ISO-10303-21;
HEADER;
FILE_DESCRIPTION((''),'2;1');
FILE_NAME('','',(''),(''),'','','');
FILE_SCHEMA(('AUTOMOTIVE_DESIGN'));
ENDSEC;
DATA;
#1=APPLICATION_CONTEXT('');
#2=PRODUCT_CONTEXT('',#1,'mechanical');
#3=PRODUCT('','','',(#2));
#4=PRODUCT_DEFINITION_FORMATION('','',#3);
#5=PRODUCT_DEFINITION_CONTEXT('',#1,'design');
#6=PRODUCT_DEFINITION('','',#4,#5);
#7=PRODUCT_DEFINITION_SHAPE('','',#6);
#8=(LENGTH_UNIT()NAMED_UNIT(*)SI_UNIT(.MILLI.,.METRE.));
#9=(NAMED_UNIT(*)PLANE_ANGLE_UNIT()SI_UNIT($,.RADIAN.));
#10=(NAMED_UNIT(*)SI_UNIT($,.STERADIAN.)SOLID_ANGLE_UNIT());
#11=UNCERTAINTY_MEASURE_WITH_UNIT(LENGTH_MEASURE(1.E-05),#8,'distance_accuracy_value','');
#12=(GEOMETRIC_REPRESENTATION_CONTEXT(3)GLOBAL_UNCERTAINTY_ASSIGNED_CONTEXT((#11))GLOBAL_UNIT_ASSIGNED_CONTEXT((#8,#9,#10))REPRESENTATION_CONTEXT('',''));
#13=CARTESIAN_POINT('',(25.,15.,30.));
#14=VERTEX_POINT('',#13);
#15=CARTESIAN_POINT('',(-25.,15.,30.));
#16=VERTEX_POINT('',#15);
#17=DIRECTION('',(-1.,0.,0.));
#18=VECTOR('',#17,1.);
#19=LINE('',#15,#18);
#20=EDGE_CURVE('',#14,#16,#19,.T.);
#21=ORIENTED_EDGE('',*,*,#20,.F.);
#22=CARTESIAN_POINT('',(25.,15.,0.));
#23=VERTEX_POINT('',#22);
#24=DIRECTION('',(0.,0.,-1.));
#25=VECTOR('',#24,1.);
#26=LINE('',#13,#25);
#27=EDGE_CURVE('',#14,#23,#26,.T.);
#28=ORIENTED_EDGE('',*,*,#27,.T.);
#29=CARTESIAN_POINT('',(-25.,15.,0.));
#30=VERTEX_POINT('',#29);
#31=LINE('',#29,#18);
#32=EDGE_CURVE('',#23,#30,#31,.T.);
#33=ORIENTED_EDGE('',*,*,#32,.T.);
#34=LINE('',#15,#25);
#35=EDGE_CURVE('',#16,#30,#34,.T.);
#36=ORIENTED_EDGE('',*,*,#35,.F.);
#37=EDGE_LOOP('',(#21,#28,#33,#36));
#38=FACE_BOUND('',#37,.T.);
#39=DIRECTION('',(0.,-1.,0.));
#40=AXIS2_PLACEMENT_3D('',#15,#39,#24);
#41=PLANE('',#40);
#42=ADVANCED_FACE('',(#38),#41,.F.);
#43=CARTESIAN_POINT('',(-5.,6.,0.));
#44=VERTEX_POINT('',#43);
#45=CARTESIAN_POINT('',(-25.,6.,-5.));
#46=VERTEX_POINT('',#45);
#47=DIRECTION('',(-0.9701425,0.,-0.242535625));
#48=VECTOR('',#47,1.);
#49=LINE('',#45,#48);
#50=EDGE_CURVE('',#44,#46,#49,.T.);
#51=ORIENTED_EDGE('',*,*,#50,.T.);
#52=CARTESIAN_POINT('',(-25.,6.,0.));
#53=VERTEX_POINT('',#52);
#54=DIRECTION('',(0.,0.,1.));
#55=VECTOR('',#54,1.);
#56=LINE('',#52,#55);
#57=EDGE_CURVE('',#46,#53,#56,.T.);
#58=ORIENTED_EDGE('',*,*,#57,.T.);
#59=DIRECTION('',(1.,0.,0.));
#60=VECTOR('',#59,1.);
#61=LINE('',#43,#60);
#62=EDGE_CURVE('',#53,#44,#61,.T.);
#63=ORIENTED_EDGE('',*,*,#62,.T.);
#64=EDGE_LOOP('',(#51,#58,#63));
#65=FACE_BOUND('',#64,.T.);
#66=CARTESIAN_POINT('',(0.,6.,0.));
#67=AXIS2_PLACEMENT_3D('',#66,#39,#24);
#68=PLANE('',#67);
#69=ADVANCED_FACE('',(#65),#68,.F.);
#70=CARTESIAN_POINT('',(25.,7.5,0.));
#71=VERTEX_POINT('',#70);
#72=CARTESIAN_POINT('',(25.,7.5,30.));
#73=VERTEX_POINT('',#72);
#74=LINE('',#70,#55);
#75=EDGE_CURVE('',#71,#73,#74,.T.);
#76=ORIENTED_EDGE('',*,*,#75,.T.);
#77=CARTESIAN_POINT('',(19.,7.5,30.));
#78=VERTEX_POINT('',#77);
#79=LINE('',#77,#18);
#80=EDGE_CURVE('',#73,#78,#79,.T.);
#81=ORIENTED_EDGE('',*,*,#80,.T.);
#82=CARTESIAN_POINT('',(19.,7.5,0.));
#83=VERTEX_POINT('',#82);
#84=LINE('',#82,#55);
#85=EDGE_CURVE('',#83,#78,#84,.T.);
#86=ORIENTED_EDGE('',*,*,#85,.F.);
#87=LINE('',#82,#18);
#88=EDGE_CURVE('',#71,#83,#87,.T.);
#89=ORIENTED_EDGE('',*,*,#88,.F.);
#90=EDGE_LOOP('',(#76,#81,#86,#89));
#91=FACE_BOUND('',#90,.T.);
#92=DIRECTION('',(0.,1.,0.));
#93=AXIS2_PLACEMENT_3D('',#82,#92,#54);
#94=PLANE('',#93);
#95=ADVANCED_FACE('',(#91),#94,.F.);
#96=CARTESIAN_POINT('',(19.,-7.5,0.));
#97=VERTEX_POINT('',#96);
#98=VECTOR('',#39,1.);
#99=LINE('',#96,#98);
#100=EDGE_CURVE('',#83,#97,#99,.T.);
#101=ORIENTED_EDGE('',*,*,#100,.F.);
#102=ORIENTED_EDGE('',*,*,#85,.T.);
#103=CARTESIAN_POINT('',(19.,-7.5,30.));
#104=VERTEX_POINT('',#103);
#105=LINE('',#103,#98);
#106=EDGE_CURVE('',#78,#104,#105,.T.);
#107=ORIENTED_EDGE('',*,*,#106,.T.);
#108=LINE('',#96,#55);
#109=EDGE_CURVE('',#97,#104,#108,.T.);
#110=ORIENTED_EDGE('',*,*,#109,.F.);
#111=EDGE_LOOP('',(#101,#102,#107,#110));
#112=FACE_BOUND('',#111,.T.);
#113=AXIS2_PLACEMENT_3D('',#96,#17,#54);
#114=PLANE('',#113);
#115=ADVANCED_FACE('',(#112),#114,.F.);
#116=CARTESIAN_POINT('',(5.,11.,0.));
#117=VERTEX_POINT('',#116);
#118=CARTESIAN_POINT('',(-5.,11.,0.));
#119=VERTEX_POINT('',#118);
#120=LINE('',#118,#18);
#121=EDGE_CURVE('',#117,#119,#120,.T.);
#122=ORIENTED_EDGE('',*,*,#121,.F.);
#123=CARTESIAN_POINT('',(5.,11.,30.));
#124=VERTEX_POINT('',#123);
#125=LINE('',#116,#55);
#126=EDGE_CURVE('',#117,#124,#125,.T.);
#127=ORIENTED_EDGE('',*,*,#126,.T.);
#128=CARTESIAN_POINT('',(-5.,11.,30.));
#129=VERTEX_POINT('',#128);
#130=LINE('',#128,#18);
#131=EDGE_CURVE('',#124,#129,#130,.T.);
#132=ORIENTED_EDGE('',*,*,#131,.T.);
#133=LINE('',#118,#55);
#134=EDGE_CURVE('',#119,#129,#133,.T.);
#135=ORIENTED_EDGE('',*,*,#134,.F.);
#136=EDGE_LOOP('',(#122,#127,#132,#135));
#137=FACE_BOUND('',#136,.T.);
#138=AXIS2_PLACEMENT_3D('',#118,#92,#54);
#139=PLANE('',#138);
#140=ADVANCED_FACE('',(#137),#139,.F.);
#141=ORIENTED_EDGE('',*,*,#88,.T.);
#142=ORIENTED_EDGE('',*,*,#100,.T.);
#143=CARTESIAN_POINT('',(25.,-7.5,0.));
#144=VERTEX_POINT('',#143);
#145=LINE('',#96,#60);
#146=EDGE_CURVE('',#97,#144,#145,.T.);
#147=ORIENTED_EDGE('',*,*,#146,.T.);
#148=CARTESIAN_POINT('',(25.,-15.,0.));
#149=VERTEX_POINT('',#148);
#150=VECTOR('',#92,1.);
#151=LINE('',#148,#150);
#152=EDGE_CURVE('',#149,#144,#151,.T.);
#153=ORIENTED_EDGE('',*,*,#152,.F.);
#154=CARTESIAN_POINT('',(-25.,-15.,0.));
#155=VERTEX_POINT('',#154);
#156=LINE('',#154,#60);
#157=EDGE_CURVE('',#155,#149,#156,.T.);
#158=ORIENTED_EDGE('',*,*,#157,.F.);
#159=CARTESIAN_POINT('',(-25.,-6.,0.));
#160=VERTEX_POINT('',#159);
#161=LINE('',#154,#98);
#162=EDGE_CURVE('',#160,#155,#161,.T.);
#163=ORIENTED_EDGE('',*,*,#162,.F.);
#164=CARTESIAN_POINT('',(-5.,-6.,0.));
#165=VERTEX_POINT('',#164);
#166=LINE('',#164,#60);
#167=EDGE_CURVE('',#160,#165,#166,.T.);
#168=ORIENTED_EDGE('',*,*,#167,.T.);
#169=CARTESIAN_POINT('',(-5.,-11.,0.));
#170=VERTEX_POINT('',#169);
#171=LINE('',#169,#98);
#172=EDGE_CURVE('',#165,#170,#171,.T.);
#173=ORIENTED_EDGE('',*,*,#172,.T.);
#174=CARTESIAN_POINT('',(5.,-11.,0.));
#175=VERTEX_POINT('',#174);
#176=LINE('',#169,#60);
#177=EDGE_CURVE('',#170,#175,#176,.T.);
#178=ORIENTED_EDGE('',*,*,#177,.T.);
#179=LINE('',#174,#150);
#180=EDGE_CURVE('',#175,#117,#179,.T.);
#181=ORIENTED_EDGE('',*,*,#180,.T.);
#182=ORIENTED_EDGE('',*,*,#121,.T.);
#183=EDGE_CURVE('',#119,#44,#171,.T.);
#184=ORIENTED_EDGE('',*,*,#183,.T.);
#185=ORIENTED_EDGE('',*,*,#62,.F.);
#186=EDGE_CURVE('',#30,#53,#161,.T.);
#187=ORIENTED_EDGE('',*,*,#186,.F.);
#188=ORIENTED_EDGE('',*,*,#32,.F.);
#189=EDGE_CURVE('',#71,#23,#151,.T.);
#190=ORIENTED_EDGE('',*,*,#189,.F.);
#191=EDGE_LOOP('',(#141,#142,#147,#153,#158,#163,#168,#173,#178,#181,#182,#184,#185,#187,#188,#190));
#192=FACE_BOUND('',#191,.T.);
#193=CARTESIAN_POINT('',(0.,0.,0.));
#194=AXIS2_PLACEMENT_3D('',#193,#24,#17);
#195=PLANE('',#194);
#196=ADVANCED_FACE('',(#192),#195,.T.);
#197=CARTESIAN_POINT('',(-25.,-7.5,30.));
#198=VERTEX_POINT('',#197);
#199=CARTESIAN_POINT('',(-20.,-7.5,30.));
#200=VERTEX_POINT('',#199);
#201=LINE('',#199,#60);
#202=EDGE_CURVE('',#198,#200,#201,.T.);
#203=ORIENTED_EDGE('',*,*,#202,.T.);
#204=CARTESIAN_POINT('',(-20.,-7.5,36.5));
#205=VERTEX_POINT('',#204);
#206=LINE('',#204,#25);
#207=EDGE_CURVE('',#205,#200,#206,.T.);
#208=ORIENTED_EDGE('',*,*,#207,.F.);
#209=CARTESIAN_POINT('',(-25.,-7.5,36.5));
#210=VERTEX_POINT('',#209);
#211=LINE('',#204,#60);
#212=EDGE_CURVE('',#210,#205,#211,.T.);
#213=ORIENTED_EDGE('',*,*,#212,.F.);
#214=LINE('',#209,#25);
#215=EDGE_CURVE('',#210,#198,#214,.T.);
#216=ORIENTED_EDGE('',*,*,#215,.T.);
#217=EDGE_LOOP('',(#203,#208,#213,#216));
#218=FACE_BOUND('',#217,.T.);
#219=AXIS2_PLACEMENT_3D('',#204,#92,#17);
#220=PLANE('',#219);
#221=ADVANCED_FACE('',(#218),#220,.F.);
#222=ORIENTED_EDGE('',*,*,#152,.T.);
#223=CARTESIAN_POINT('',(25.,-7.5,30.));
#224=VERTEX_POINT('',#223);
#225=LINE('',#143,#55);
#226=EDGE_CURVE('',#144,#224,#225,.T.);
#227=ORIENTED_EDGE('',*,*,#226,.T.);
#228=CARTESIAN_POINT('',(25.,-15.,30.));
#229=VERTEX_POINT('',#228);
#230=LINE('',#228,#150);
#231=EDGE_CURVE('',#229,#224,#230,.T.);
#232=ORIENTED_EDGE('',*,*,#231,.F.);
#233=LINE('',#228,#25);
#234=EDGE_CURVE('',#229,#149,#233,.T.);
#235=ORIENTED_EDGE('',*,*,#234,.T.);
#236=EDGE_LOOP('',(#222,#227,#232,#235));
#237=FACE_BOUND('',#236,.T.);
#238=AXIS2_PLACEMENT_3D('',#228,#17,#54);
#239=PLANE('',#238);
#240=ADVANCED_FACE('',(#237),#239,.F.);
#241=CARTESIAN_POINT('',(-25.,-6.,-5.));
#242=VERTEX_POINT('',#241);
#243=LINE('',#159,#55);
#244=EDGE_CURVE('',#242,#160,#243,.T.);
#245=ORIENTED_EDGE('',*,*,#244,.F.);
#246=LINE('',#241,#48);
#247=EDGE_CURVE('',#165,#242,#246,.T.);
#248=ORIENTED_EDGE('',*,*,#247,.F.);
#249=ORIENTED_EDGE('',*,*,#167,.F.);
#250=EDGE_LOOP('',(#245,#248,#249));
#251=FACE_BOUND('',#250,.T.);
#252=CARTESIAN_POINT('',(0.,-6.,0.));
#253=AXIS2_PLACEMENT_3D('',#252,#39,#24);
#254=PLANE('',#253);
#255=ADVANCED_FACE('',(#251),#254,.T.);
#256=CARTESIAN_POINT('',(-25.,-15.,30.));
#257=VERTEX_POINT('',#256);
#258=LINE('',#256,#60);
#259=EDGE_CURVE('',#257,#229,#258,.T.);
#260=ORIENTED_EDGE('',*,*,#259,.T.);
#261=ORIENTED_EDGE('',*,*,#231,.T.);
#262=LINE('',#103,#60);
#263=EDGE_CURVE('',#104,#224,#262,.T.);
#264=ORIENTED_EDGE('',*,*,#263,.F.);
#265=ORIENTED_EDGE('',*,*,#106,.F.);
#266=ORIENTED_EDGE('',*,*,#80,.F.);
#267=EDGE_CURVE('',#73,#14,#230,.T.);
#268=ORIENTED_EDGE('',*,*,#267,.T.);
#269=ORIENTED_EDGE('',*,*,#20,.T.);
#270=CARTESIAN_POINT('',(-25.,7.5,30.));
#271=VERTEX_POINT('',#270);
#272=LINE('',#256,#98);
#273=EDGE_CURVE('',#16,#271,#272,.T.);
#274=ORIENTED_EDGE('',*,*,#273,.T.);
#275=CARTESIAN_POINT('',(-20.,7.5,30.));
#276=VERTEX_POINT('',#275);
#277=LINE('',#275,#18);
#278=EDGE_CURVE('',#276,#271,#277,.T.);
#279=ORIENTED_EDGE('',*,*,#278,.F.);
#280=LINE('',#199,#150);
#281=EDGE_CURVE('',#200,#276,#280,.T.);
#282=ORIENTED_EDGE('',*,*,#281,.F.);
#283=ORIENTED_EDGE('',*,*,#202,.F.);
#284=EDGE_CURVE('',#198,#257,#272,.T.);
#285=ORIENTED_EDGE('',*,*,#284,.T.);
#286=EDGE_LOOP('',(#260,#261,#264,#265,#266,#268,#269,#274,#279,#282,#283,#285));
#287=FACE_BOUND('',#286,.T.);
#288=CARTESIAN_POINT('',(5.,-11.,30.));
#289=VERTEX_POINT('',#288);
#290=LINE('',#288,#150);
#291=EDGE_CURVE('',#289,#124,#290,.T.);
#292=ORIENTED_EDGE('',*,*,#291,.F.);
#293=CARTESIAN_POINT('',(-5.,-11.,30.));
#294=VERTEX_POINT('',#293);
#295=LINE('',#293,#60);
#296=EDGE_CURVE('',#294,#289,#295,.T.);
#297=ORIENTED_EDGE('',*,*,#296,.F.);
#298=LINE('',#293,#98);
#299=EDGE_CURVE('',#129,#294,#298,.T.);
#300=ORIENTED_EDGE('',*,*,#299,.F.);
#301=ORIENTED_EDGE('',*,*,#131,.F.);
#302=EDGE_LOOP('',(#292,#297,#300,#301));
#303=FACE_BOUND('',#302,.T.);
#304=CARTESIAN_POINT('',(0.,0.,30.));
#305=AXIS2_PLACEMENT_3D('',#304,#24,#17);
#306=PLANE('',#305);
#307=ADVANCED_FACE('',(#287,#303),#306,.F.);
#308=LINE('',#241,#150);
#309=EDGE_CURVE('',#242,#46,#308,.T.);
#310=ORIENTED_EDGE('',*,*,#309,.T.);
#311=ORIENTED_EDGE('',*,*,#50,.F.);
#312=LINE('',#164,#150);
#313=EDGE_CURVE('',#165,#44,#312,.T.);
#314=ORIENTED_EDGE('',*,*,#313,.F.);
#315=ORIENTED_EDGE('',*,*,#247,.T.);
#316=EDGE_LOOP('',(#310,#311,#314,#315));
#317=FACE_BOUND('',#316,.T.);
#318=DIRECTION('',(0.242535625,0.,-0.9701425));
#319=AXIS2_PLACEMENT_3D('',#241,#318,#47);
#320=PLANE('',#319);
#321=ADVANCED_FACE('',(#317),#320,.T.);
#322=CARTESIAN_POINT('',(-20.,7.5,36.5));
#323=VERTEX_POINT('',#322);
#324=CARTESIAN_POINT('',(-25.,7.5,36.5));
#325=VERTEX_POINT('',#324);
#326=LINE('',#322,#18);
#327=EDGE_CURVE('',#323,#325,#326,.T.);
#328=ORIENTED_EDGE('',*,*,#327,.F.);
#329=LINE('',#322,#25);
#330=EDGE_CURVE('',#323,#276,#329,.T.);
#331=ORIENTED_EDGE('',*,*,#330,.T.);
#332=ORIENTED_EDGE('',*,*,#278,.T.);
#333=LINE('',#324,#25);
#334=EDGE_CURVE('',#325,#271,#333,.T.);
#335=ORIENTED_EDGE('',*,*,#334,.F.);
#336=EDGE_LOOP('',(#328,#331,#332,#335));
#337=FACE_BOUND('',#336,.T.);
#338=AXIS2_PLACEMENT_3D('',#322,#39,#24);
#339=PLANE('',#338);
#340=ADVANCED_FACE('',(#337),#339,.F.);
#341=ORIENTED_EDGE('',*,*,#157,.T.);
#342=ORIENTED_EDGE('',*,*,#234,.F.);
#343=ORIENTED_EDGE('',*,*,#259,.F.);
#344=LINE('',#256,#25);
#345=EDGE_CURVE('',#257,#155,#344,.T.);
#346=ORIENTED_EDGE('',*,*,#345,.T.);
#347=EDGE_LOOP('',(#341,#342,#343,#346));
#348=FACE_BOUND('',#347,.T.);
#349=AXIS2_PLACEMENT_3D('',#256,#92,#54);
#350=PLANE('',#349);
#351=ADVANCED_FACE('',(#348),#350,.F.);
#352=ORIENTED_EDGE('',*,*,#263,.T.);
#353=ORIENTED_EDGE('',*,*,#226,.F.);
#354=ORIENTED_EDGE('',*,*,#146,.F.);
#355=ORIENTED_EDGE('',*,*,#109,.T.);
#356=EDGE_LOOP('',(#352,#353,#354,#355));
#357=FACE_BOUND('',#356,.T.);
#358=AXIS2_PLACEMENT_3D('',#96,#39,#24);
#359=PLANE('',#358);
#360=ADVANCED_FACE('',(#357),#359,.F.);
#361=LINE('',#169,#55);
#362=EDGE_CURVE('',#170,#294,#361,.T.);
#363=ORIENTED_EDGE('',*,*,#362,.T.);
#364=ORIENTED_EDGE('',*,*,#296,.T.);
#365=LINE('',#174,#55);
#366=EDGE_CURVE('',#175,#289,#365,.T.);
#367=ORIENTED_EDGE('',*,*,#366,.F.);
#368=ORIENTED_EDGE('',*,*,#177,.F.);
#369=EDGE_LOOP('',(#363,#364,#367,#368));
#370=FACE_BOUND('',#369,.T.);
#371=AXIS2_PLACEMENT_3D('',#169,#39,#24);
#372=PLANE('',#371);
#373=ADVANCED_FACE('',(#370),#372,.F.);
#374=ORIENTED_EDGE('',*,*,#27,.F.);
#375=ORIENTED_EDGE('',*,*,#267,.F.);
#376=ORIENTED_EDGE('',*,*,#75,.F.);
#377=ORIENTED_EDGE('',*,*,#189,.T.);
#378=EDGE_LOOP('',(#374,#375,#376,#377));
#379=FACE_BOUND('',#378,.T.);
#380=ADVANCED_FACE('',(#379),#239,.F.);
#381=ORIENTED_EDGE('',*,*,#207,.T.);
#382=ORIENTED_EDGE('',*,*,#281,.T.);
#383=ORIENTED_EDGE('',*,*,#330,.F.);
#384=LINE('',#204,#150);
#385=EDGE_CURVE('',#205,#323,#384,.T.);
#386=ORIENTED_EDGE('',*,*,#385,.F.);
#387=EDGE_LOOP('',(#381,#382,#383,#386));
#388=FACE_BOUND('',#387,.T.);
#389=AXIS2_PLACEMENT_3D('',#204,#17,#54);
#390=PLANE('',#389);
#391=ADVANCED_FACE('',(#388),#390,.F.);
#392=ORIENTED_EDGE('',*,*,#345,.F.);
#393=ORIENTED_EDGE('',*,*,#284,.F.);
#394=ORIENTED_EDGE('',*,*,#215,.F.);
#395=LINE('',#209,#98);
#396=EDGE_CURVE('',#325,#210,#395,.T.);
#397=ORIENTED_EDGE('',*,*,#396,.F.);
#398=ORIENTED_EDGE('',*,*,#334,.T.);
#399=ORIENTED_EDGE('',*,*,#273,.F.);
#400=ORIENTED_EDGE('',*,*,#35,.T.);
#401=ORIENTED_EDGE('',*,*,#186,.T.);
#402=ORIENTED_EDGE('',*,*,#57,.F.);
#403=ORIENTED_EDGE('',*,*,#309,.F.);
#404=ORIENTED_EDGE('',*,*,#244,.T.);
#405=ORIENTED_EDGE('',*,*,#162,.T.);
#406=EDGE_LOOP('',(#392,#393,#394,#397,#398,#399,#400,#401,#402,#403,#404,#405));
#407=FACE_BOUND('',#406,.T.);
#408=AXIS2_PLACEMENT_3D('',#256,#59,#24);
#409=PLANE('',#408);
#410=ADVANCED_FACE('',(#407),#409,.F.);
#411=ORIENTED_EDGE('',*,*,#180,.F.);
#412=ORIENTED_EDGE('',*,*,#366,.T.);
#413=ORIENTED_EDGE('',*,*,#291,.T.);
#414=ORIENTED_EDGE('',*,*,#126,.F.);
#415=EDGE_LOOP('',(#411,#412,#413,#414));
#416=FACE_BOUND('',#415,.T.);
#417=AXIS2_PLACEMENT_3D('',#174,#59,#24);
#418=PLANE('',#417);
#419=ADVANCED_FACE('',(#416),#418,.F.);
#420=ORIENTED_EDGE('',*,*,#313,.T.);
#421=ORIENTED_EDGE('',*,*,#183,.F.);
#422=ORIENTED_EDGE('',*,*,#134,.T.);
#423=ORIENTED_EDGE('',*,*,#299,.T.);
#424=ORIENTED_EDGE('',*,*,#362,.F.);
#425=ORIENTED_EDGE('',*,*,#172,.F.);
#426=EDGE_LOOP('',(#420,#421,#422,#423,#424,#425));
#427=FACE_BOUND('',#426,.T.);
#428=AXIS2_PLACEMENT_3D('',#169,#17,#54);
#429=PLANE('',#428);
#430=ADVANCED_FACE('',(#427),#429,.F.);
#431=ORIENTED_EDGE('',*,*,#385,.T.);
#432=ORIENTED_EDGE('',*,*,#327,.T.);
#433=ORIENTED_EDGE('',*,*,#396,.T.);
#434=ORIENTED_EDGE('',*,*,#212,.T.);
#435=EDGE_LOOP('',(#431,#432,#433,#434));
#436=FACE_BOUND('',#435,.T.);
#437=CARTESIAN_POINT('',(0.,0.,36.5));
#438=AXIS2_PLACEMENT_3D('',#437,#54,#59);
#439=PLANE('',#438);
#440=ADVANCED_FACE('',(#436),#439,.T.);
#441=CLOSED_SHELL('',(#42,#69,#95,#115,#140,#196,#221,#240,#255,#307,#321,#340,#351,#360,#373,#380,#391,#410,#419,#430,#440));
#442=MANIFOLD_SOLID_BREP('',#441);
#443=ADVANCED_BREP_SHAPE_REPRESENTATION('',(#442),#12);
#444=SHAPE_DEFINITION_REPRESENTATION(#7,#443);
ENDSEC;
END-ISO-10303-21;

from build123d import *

# Parameters (mm, degrees)
SKETCH_1_W           = 50
SKETCH_1_H           = 30
EXTRUDE_1_DEPTH      = 30
SKETCH_2_W           = 10
SKETCH_2_H           = 22
SKETCH_2_W_2         = 6
SKETCH_2_H_2         = 15
CUT_EXTRUDE_1_DEPTH  = 42.833001327
SKETCH_3_W           = 5
SKETCH_3_H           = 15
EXTRUDE_2_DEPTH      = 6.5
EXTRUDE_3_DEPTH      = 6
EXTRUDE_3_DEPTH_BACK = 6


with BuildPart() as part:
    # Эскиз1 → Бобышка-Вытянуть1 (new body)
    with BuildSketch(Plane.XY):
        Rectangle(SKETCH_1_W, SKETCH_1_H)
    extrude(amount=EXTRUDE_1_DEPTH)

    # Эскиз2 → Вырез-Вытянуть1 (cut, through all)
    with BuildSketch(Plane.XY.offset(30)):
        Rectangle(SKETCH_2_W, SKETCH_2_H)
        with Locations((22, 0)):
            Rectangle(SKETCH_2_W_2, SKETCH_2_H_2)
    extrude(amount=-CUT_EXTRUDE_1_DEPTH, mode=Mode.SUBTRACT)

    # Эскиз3 → Бобышка-Вытянуть2 (add)
    with BuildSketch(Plane.XY.offset(30)):
        with Locations((-22.5, 0)):
            Rectangle(SKETCH_3_W, SKETCH_3_H)
    extrude(amount=EXTRUDE_2_DEPTH)

    # Эскиз4 → Бобышка-Вытянуть3 (add, two sides: drawn at the far end of the back side and taken through both)
    with BuildSketch(Plane(origin=(0, 0, 0), x_dir=(1, 0, 0), z_dir=(0, 1, 0)).offset(-EXTRUDE_3_DEPTH_BACK)):
        Polygon((-25, 0), (-25, 5), (-5, 0), align=None)
    extrude(amount=EXTRUDE_3_DEPTH + EXTRUDE_3_DEPTH_BACK)


solid = part.part
